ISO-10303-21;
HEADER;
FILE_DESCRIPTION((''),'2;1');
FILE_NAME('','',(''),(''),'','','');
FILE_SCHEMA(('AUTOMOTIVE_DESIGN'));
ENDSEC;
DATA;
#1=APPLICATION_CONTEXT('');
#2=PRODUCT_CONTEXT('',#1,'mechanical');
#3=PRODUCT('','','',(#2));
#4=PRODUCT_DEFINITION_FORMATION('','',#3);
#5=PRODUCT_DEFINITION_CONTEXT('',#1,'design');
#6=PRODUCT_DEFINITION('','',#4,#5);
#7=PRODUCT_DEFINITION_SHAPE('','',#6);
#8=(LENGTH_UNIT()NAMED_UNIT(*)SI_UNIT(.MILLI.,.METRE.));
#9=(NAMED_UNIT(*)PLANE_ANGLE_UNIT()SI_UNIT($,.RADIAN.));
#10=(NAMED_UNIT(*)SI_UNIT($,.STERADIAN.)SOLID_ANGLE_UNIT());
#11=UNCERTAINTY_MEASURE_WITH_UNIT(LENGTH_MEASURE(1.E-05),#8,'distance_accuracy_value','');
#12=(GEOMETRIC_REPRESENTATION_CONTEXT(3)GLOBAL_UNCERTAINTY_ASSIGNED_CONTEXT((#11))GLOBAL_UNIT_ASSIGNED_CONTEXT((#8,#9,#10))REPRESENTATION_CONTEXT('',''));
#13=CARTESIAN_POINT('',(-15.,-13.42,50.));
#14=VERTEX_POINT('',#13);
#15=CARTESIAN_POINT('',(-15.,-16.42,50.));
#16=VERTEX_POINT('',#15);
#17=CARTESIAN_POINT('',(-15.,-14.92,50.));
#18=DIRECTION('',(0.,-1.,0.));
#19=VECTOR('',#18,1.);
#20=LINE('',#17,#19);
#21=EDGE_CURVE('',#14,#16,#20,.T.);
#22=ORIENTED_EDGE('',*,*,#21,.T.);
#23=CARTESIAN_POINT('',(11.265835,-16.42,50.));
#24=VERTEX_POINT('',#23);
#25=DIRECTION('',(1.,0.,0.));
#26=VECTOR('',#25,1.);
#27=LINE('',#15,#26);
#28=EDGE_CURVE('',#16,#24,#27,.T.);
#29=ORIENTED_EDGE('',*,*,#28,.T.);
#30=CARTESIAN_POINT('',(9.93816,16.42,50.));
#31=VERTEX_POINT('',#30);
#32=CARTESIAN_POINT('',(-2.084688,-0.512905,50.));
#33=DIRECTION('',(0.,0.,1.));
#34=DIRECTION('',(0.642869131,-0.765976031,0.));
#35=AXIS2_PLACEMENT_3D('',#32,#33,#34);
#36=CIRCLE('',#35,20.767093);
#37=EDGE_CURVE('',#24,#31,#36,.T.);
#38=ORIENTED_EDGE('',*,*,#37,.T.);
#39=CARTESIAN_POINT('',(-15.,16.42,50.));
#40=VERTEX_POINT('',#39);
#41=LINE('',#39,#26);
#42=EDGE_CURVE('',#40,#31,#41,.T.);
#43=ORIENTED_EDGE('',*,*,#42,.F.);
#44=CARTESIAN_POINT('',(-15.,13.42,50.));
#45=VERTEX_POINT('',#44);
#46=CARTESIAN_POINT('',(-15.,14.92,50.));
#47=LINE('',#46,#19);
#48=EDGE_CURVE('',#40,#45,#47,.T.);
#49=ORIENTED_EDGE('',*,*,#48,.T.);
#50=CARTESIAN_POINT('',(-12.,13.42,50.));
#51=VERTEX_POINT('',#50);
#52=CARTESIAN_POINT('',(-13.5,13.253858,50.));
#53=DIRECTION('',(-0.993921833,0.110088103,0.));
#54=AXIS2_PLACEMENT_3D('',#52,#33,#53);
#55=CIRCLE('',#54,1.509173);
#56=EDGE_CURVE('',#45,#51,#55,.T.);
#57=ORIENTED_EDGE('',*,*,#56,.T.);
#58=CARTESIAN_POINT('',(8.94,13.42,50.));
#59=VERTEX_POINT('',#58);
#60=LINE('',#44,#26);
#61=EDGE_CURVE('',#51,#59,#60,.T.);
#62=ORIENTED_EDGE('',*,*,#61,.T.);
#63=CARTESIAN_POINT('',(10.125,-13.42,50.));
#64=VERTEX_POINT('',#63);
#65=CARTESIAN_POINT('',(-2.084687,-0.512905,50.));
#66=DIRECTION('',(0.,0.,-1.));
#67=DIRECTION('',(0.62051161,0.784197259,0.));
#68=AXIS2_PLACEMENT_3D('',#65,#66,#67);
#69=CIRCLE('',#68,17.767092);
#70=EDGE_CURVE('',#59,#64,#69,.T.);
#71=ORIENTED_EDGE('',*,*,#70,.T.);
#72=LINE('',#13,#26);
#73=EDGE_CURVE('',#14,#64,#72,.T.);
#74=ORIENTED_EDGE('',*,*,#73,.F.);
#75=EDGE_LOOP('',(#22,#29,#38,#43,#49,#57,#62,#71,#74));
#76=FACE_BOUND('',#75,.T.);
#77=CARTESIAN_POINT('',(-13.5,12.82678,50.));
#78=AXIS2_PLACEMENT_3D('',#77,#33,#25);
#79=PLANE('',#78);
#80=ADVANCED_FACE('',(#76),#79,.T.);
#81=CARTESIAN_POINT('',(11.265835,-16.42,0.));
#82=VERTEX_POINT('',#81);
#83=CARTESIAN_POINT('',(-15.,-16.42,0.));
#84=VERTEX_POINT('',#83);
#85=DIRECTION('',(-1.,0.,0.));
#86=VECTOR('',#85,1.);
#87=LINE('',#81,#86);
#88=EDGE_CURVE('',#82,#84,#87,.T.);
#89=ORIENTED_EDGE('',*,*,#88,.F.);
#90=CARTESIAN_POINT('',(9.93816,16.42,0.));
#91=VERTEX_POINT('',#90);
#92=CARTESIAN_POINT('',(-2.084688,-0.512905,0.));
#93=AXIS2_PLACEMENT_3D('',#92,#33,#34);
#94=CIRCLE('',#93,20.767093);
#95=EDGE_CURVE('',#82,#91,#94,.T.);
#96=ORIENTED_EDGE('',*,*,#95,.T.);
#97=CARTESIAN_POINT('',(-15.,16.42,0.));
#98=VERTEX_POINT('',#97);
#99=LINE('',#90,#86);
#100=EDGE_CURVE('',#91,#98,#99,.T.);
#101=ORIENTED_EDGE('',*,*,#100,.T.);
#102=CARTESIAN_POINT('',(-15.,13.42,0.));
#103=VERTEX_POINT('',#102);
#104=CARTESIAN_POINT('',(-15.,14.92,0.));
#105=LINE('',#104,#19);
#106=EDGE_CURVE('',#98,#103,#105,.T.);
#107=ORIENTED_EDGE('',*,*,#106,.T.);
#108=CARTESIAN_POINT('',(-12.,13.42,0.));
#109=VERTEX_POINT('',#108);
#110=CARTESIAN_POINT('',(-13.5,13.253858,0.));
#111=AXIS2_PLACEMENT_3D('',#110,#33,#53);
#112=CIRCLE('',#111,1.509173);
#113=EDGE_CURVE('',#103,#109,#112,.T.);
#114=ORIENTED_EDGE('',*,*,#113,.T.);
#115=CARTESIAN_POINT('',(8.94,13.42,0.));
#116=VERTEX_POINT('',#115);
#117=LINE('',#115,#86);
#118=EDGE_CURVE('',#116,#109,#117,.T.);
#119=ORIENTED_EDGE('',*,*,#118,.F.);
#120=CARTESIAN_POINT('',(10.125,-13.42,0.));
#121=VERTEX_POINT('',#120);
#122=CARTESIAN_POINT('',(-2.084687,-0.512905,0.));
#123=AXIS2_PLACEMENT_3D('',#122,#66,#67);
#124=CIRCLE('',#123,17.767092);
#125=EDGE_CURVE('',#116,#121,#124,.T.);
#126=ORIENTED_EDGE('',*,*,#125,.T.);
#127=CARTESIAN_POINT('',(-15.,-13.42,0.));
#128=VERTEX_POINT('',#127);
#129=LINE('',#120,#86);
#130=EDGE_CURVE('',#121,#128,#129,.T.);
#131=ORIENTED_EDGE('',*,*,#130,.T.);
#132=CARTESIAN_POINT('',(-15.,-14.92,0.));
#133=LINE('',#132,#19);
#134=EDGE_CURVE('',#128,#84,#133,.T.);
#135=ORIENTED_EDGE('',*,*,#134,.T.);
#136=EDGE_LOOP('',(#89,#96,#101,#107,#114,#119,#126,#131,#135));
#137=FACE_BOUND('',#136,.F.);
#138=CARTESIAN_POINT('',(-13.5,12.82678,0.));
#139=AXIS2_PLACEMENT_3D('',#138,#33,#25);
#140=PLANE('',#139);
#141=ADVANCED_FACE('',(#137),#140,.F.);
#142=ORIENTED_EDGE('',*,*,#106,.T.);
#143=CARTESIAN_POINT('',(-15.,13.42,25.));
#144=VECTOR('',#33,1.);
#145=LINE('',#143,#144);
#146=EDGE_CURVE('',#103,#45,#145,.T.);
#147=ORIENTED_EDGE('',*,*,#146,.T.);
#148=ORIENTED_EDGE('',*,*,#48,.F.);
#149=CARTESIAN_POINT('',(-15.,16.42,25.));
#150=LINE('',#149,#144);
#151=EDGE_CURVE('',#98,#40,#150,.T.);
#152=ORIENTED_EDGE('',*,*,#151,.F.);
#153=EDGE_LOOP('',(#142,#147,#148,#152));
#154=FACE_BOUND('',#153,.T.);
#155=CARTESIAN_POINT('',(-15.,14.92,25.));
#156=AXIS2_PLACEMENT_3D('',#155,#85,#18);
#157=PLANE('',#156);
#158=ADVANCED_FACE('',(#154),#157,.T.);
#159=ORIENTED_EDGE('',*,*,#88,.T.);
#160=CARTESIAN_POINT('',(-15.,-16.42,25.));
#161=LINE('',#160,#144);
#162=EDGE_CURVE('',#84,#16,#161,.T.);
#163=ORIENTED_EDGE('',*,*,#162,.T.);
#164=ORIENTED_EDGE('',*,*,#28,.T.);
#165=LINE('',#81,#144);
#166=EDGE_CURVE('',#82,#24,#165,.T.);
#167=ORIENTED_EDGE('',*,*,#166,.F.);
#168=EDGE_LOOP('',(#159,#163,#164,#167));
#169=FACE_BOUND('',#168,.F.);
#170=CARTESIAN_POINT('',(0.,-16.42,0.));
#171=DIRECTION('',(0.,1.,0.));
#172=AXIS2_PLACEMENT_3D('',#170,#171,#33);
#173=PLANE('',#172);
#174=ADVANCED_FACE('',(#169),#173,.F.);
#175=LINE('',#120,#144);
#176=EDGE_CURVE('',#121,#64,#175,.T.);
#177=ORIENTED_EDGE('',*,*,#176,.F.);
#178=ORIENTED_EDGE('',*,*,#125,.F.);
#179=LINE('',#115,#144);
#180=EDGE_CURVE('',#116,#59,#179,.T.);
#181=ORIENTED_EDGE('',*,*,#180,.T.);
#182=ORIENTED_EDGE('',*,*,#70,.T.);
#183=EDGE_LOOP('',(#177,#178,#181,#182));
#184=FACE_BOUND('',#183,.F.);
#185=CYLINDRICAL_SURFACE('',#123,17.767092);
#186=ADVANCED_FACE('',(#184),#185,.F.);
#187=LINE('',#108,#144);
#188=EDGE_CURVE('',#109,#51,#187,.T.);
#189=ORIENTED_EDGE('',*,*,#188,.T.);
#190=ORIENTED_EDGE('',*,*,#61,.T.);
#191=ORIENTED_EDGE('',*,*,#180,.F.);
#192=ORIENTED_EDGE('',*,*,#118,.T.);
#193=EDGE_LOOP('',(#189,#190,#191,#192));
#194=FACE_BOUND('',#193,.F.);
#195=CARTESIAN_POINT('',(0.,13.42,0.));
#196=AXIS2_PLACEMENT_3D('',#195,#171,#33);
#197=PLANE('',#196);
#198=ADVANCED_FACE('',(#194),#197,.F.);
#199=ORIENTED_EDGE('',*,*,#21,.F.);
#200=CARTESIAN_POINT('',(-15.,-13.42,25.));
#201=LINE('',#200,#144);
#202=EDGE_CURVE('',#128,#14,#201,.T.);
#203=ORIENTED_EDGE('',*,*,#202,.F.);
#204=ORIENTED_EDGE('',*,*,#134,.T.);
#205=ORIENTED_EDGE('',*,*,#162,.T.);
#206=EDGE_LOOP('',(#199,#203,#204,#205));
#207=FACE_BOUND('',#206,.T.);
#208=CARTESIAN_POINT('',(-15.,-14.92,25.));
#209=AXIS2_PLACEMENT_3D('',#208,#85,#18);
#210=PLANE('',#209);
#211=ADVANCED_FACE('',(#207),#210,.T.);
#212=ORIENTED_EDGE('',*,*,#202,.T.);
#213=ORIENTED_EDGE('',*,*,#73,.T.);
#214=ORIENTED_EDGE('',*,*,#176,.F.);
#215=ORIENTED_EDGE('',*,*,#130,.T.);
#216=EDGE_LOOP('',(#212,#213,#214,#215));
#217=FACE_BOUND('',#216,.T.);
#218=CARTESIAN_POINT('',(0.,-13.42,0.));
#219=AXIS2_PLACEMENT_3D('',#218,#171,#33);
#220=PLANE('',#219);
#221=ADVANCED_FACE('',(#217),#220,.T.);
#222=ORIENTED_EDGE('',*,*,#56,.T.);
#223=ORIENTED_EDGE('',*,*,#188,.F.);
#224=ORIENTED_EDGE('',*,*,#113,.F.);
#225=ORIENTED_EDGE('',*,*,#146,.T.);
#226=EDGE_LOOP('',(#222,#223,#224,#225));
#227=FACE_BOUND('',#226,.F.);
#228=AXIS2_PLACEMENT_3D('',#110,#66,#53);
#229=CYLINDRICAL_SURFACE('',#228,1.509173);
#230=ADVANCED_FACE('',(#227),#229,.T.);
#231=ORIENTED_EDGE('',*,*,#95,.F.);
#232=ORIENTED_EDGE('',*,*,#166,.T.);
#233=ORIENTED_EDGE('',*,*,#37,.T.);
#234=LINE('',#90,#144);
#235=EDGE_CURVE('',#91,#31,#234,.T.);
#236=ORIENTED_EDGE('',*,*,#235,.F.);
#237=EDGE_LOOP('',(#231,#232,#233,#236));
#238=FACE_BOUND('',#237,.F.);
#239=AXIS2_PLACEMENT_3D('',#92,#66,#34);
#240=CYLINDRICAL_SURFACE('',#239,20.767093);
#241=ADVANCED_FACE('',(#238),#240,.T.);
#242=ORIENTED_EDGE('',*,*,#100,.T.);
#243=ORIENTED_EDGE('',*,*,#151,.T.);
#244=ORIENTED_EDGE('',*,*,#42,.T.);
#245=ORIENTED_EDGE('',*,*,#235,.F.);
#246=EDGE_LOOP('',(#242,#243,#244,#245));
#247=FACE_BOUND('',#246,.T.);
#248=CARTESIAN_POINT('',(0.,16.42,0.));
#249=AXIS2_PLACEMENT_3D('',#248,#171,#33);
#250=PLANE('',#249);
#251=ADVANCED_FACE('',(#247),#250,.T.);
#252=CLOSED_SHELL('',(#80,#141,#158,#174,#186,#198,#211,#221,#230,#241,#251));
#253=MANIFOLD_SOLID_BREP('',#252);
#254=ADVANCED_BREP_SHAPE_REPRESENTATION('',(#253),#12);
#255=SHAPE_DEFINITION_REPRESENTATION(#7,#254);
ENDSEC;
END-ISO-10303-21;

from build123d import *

# Parameters (mm, degrees)
F1_DEPTH = 50
F2_W     = 3
F2_H     = 50
F3_DEPTH = 15
F4_W     = 3
F4_H     = 50
F5_DEPTH = 15
F9_DEPTH = 50


with BuildPart() as f1:
    # F0 (on Top) → F1 (new body)
    with BuildSketch(Plane.XY):
        with BuildLine():
            Line((0, 13.42), (8.94, 13.42))
            ThreePointArc((8.94, 13.42), (15.665114, 0.270758), (10.125, -13.42))
            Line((10.125, -13.42), (0, -13.42))
            Line((0, -13.42), (0, -16.42))
            Line((0, -16.42), (11.265835, -16.42))
            ThreePointArc((11.265835, -16.42), (18.665454, 0.325994), (9.93816, 16.42))
            Line((9.93816, 16.42), (0, 16.42))
            Line((0, 16.42), (0, 13.42))
        make_face()
    extrude(amount=F1_DEPTH)

    # F2 (on face) → F3 (join)
    with BuildSketch(Plane(origin=(0, 0, 0), x_dir=(0, -1, 0), z_dir=(-1, 0, 0))):
        with Locations((-14.92, 25)):
            Rectangle(F2_W, F2_H)
    extrude(amount=F3_DEPTH)

    # F4 (on face) → F5 (join)
    with BuildSketch(Plane(origin=(0, 0, 0), x_dir=(0, -1, 0), z_dir=(-1, 0, 0))):
        with Locations((14.92, 25)):
            Rectangle(F4_W, F4_H)
    extrude(amount=F5_DEPTH)

    # F8 (on Top) → F9 (join)
    with BuildSketch(Plane.XY):
        with BuildLine():
            Line((-12, 13.42), (-15, 13.42))
            ThreePointArc((-15, 13.42), (-13.5, 11.744685), (-12, 13.42))
        make_face()
    extrude(amount=F9_DEPTH)


solid = f1.part
